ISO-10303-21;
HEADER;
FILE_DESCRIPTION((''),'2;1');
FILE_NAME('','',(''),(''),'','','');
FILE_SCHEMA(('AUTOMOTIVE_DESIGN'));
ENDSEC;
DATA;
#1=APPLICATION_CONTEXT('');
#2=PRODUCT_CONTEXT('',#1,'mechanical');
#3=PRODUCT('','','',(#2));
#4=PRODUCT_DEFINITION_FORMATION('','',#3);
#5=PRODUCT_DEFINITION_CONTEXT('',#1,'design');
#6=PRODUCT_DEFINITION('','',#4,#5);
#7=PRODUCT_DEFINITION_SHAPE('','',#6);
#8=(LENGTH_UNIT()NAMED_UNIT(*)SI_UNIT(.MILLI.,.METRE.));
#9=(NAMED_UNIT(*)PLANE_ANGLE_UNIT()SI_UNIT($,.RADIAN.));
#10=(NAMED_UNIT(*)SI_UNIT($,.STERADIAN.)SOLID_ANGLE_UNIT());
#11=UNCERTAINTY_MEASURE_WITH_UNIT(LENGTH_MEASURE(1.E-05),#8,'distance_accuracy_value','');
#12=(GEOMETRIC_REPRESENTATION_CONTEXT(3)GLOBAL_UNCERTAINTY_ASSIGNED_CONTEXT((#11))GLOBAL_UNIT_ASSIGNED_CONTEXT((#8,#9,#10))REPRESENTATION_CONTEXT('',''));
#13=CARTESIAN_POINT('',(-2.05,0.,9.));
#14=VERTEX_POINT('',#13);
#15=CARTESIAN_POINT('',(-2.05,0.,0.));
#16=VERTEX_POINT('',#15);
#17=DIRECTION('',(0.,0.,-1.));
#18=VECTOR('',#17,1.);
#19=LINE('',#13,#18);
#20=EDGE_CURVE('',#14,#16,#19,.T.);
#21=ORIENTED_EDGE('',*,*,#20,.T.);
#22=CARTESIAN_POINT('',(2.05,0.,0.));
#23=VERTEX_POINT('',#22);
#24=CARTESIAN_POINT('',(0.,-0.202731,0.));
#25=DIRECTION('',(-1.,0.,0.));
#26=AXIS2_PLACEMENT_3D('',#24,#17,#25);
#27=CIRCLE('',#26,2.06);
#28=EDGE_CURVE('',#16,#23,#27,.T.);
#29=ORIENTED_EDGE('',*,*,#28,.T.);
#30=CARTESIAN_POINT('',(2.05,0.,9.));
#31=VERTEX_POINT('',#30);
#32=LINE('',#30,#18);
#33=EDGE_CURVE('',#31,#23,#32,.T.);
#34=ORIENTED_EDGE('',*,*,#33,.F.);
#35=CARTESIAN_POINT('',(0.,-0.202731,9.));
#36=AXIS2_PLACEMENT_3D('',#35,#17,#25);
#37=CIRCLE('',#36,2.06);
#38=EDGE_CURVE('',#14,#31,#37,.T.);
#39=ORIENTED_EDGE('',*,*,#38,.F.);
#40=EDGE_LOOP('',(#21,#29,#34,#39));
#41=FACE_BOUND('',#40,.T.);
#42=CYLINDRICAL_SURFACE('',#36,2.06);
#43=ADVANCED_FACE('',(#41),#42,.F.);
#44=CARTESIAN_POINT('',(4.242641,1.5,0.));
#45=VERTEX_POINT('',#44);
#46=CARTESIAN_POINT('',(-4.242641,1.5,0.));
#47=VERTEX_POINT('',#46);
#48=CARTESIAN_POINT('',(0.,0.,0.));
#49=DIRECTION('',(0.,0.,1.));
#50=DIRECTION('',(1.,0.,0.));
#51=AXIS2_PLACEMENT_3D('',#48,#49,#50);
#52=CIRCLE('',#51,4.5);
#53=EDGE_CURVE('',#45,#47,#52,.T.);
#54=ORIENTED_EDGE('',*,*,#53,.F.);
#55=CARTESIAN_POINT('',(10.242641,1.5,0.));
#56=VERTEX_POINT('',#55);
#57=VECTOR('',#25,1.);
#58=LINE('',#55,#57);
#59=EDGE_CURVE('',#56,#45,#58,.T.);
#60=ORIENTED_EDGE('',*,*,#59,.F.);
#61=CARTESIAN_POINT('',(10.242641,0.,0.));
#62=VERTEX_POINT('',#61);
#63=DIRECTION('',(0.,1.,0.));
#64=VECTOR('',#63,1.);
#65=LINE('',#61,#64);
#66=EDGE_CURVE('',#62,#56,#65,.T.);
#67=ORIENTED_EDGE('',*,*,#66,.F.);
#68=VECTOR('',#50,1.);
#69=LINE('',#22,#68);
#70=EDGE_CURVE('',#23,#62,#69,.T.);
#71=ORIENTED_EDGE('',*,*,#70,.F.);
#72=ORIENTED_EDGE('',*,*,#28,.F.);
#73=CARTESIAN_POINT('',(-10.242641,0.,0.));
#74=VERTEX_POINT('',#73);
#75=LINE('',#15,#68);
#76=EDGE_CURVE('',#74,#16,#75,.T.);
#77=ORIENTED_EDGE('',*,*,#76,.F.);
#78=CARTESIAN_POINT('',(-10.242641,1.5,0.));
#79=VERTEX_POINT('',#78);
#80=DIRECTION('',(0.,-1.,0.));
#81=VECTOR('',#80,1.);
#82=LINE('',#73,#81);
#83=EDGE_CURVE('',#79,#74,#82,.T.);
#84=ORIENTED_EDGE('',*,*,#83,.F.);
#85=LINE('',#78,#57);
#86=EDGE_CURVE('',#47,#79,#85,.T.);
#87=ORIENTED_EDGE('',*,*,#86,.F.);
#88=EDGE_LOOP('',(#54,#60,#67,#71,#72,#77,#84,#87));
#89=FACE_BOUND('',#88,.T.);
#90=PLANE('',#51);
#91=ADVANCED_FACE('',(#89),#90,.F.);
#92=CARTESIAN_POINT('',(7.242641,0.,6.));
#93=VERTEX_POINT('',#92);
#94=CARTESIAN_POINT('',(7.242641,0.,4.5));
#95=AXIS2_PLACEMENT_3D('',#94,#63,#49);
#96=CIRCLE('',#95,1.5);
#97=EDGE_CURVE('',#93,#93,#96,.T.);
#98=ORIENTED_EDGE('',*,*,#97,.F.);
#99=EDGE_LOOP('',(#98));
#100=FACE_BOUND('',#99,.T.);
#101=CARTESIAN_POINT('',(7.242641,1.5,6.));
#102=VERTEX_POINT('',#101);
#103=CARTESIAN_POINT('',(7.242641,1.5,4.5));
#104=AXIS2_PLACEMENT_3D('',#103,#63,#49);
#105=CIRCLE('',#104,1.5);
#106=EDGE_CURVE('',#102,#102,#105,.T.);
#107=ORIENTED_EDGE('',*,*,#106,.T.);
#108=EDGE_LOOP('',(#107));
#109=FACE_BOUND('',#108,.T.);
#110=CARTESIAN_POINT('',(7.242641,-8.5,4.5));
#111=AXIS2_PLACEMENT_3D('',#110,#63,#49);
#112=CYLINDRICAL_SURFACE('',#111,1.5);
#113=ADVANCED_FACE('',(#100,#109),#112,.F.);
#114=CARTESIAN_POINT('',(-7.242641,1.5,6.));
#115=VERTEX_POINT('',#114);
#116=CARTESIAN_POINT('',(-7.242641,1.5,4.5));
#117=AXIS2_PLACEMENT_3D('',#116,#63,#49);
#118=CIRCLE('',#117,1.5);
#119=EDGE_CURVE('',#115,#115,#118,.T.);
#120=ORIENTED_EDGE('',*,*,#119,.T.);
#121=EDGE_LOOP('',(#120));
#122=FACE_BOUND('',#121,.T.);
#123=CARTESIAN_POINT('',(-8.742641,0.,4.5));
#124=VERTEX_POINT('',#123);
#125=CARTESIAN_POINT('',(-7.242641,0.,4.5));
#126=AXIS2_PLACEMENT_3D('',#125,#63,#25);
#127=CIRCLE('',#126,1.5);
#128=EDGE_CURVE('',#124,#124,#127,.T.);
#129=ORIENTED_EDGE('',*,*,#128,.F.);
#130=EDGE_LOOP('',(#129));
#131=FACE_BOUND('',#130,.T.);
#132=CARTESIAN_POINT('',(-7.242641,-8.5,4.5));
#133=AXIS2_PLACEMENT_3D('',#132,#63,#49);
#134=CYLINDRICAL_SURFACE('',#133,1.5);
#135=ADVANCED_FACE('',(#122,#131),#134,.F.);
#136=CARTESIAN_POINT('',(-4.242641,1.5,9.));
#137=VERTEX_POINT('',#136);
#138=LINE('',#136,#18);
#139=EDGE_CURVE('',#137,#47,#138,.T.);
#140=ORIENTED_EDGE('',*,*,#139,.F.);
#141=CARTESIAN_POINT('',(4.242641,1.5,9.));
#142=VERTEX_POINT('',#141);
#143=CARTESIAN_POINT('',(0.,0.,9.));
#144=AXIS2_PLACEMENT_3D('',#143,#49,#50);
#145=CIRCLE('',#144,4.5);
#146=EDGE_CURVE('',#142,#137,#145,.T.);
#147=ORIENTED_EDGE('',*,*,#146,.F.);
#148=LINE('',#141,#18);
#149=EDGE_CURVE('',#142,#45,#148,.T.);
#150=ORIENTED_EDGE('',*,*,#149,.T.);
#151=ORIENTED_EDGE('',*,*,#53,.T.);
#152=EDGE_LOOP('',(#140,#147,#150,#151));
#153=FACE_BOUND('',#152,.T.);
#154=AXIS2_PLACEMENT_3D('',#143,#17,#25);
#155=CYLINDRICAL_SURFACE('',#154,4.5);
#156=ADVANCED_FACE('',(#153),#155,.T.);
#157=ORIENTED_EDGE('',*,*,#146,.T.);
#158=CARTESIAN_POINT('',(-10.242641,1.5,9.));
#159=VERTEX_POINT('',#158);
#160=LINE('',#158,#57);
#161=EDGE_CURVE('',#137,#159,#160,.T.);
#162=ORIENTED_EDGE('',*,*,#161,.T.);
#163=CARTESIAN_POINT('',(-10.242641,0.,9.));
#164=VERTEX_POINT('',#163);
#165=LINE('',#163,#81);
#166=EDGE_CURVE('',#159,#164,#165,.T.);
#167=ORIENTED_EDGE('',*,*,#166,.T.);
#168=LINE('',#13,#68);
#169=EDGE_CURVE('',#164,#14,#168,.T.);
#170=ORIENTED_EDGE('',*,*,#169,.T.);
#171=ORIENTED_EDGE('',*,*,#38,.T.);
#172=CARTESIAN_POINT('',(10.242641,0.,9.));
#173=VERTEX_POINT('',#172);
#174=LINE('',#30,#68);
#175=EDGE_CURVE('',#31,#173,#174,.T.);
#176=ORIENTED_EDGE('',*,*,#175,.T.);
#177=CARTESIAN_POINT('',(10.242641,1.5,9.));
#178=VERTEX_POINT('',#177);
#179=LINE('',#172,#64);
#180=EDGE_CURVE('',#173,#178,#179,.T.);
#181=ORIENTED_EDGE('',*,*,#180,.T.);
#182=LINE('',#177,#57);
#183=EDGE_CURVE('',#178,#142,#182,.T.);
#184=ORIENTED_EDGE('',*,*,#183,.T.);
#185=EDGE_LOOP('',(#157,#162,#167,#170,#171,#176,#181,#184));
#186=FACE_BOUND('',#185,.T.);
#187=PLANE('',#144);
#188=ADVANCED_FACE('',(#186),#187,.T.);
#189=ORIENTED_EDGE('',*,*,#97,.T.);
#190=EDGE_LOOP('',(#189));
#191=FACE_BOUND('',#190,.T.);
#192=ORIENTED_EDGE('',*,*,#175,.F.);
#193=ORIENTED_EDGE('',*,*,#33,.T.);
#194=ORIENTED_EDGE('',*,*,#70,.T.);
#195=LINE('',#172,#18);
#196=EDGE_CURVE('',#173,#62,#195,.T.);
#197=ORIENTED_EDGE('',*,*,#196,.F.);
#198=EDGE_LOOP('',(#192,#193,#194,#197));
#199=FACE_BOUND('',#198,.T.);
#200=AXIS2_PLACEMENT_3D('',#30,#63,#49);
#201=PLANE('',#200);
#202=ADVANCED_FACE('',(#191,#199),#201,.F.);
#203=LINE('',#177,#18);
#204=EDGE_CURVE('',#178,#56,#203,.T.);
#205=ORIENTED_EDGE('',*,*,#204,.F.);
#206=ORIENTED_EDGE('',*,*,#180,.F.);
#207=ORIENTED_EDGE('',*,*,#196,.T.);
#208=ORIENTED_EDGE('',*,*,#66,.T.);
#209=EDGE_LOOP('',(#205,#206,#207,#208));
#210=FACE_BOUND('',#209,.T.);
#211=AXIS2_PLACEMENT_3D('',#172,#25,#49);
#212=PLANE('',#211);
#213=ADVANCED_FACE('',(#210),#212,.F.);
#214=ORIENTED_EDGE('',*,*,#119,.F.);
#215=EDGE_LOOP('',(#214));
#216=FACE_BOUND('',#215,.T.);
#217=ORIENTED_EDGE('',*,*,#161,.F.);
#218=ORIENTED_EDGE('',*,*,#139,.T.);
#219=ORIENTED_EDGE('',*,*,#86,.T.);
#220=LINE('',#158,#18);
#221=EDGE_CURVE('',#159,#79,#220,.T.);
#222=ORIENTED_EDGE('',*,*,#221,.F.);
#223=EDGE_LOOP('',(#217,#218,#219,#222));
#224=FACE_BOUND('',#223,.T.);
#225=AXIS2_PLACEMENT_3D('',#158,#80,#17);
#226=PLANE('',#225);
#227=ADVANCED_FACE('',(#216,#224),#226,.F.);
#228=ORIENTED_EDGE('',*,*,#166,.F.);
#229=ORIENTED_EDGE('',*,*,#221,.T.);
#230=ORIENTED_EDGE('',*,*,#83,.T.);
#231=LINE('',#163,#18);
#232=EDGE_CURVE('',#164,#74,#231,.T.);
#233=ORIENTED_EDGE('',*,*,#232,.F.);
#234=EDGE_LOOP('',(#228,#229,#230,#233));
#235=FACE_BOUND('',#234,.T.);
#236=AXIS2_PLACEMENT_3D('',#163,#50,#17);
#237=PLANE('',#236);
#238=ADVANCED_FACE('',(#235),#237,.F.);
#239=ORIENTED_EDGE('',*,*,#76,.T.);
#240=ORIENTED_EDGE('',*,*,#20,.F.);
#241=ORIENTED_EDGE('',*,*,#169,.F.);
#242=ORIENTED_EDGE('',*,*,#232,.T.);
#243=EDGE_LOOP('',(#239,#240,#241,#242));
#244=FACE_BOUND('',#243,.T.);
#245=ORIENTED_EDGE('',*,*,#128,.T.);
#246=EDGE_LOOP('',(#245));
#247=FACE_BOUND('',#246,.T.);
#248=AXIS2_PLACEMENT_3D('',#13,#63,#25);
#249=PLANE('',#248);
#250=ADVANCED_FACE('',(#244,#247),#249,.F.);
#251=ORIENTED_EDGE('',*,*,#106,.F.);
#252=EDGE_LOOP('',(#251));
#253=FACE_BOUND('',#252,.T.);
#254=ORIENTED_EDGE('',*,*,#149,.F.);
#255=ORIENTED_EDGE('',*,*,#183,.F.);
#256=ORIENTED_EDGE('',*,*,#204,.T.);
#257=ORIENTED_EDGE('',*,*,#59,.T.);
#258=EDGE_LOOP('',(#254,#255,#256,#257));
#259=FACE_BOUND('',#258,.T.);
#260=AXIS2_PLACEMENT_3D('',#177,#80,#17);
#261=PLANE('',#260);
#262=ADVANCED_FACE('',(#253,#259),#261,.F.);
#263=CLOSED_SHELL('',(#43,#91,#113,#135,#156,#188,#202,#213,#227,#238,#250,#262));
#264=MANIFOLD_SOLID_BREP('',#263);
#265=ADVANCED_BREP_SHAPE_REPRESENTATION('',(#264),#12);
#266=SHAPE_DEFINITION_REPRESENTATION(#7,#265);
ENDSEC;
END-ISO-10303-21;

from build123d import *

# Parameters (mm, degrees)
BOSS_EXTRUDE1_DEPTH = 9
SKETCH2_R           = 1.5
CUT_EXTRUDE1_DEPTH  = 10


with BuildPart() as part:
    # Sketch1 → Boss-Extrude1 (new body)
    with BuildSketch(Plane.XY):
        with BuildLine():
            Line((2.05, 0), (10.242640687, 0))
            Line((10.242640687, 0), (10.242640687, 1.5))
            Line((10.242640687, 1.5), (4.242640687, 1.5))
            ThreePointArc((4.242640687, 1.5), (0, 4.5), (-4.242640687, 1.5))
            Line((-4.242640687, 1.5), (-10.242640687, 1.5))
            Line((-10.242640687, 1.5), (-10.242640687, 0))
            Line((-10.242640687, 0), (-2.05, 0))
            ThreePointArc((-2.05, 0), (0, 1.857268651), (2.05, 0))
        make_face()
    extrude(amount=BOSS_EXTRUDE1_DEPTH)

    # Sketch2 → Cut-Extrude1 (cut)
    with BuildSketch(Plane(origin=(0, 1.5, 0), x_dir=(1, 0, 0), z_dir=(0, 1, 0))):
        with Locations(Location((-7.242640687, -4.5, 0), (0, 0, 270))):
            Circle(SKETCH2_R)
        with Locations(Location((7.242640687, -4.5, 0), (0, 0, 270))):
            Circle(SKETCH2_R)
    extrude(amount=-CUT_EXTRUDE1_DEPTH, mode=Mode.SUBTRACT)


solid = part.part
